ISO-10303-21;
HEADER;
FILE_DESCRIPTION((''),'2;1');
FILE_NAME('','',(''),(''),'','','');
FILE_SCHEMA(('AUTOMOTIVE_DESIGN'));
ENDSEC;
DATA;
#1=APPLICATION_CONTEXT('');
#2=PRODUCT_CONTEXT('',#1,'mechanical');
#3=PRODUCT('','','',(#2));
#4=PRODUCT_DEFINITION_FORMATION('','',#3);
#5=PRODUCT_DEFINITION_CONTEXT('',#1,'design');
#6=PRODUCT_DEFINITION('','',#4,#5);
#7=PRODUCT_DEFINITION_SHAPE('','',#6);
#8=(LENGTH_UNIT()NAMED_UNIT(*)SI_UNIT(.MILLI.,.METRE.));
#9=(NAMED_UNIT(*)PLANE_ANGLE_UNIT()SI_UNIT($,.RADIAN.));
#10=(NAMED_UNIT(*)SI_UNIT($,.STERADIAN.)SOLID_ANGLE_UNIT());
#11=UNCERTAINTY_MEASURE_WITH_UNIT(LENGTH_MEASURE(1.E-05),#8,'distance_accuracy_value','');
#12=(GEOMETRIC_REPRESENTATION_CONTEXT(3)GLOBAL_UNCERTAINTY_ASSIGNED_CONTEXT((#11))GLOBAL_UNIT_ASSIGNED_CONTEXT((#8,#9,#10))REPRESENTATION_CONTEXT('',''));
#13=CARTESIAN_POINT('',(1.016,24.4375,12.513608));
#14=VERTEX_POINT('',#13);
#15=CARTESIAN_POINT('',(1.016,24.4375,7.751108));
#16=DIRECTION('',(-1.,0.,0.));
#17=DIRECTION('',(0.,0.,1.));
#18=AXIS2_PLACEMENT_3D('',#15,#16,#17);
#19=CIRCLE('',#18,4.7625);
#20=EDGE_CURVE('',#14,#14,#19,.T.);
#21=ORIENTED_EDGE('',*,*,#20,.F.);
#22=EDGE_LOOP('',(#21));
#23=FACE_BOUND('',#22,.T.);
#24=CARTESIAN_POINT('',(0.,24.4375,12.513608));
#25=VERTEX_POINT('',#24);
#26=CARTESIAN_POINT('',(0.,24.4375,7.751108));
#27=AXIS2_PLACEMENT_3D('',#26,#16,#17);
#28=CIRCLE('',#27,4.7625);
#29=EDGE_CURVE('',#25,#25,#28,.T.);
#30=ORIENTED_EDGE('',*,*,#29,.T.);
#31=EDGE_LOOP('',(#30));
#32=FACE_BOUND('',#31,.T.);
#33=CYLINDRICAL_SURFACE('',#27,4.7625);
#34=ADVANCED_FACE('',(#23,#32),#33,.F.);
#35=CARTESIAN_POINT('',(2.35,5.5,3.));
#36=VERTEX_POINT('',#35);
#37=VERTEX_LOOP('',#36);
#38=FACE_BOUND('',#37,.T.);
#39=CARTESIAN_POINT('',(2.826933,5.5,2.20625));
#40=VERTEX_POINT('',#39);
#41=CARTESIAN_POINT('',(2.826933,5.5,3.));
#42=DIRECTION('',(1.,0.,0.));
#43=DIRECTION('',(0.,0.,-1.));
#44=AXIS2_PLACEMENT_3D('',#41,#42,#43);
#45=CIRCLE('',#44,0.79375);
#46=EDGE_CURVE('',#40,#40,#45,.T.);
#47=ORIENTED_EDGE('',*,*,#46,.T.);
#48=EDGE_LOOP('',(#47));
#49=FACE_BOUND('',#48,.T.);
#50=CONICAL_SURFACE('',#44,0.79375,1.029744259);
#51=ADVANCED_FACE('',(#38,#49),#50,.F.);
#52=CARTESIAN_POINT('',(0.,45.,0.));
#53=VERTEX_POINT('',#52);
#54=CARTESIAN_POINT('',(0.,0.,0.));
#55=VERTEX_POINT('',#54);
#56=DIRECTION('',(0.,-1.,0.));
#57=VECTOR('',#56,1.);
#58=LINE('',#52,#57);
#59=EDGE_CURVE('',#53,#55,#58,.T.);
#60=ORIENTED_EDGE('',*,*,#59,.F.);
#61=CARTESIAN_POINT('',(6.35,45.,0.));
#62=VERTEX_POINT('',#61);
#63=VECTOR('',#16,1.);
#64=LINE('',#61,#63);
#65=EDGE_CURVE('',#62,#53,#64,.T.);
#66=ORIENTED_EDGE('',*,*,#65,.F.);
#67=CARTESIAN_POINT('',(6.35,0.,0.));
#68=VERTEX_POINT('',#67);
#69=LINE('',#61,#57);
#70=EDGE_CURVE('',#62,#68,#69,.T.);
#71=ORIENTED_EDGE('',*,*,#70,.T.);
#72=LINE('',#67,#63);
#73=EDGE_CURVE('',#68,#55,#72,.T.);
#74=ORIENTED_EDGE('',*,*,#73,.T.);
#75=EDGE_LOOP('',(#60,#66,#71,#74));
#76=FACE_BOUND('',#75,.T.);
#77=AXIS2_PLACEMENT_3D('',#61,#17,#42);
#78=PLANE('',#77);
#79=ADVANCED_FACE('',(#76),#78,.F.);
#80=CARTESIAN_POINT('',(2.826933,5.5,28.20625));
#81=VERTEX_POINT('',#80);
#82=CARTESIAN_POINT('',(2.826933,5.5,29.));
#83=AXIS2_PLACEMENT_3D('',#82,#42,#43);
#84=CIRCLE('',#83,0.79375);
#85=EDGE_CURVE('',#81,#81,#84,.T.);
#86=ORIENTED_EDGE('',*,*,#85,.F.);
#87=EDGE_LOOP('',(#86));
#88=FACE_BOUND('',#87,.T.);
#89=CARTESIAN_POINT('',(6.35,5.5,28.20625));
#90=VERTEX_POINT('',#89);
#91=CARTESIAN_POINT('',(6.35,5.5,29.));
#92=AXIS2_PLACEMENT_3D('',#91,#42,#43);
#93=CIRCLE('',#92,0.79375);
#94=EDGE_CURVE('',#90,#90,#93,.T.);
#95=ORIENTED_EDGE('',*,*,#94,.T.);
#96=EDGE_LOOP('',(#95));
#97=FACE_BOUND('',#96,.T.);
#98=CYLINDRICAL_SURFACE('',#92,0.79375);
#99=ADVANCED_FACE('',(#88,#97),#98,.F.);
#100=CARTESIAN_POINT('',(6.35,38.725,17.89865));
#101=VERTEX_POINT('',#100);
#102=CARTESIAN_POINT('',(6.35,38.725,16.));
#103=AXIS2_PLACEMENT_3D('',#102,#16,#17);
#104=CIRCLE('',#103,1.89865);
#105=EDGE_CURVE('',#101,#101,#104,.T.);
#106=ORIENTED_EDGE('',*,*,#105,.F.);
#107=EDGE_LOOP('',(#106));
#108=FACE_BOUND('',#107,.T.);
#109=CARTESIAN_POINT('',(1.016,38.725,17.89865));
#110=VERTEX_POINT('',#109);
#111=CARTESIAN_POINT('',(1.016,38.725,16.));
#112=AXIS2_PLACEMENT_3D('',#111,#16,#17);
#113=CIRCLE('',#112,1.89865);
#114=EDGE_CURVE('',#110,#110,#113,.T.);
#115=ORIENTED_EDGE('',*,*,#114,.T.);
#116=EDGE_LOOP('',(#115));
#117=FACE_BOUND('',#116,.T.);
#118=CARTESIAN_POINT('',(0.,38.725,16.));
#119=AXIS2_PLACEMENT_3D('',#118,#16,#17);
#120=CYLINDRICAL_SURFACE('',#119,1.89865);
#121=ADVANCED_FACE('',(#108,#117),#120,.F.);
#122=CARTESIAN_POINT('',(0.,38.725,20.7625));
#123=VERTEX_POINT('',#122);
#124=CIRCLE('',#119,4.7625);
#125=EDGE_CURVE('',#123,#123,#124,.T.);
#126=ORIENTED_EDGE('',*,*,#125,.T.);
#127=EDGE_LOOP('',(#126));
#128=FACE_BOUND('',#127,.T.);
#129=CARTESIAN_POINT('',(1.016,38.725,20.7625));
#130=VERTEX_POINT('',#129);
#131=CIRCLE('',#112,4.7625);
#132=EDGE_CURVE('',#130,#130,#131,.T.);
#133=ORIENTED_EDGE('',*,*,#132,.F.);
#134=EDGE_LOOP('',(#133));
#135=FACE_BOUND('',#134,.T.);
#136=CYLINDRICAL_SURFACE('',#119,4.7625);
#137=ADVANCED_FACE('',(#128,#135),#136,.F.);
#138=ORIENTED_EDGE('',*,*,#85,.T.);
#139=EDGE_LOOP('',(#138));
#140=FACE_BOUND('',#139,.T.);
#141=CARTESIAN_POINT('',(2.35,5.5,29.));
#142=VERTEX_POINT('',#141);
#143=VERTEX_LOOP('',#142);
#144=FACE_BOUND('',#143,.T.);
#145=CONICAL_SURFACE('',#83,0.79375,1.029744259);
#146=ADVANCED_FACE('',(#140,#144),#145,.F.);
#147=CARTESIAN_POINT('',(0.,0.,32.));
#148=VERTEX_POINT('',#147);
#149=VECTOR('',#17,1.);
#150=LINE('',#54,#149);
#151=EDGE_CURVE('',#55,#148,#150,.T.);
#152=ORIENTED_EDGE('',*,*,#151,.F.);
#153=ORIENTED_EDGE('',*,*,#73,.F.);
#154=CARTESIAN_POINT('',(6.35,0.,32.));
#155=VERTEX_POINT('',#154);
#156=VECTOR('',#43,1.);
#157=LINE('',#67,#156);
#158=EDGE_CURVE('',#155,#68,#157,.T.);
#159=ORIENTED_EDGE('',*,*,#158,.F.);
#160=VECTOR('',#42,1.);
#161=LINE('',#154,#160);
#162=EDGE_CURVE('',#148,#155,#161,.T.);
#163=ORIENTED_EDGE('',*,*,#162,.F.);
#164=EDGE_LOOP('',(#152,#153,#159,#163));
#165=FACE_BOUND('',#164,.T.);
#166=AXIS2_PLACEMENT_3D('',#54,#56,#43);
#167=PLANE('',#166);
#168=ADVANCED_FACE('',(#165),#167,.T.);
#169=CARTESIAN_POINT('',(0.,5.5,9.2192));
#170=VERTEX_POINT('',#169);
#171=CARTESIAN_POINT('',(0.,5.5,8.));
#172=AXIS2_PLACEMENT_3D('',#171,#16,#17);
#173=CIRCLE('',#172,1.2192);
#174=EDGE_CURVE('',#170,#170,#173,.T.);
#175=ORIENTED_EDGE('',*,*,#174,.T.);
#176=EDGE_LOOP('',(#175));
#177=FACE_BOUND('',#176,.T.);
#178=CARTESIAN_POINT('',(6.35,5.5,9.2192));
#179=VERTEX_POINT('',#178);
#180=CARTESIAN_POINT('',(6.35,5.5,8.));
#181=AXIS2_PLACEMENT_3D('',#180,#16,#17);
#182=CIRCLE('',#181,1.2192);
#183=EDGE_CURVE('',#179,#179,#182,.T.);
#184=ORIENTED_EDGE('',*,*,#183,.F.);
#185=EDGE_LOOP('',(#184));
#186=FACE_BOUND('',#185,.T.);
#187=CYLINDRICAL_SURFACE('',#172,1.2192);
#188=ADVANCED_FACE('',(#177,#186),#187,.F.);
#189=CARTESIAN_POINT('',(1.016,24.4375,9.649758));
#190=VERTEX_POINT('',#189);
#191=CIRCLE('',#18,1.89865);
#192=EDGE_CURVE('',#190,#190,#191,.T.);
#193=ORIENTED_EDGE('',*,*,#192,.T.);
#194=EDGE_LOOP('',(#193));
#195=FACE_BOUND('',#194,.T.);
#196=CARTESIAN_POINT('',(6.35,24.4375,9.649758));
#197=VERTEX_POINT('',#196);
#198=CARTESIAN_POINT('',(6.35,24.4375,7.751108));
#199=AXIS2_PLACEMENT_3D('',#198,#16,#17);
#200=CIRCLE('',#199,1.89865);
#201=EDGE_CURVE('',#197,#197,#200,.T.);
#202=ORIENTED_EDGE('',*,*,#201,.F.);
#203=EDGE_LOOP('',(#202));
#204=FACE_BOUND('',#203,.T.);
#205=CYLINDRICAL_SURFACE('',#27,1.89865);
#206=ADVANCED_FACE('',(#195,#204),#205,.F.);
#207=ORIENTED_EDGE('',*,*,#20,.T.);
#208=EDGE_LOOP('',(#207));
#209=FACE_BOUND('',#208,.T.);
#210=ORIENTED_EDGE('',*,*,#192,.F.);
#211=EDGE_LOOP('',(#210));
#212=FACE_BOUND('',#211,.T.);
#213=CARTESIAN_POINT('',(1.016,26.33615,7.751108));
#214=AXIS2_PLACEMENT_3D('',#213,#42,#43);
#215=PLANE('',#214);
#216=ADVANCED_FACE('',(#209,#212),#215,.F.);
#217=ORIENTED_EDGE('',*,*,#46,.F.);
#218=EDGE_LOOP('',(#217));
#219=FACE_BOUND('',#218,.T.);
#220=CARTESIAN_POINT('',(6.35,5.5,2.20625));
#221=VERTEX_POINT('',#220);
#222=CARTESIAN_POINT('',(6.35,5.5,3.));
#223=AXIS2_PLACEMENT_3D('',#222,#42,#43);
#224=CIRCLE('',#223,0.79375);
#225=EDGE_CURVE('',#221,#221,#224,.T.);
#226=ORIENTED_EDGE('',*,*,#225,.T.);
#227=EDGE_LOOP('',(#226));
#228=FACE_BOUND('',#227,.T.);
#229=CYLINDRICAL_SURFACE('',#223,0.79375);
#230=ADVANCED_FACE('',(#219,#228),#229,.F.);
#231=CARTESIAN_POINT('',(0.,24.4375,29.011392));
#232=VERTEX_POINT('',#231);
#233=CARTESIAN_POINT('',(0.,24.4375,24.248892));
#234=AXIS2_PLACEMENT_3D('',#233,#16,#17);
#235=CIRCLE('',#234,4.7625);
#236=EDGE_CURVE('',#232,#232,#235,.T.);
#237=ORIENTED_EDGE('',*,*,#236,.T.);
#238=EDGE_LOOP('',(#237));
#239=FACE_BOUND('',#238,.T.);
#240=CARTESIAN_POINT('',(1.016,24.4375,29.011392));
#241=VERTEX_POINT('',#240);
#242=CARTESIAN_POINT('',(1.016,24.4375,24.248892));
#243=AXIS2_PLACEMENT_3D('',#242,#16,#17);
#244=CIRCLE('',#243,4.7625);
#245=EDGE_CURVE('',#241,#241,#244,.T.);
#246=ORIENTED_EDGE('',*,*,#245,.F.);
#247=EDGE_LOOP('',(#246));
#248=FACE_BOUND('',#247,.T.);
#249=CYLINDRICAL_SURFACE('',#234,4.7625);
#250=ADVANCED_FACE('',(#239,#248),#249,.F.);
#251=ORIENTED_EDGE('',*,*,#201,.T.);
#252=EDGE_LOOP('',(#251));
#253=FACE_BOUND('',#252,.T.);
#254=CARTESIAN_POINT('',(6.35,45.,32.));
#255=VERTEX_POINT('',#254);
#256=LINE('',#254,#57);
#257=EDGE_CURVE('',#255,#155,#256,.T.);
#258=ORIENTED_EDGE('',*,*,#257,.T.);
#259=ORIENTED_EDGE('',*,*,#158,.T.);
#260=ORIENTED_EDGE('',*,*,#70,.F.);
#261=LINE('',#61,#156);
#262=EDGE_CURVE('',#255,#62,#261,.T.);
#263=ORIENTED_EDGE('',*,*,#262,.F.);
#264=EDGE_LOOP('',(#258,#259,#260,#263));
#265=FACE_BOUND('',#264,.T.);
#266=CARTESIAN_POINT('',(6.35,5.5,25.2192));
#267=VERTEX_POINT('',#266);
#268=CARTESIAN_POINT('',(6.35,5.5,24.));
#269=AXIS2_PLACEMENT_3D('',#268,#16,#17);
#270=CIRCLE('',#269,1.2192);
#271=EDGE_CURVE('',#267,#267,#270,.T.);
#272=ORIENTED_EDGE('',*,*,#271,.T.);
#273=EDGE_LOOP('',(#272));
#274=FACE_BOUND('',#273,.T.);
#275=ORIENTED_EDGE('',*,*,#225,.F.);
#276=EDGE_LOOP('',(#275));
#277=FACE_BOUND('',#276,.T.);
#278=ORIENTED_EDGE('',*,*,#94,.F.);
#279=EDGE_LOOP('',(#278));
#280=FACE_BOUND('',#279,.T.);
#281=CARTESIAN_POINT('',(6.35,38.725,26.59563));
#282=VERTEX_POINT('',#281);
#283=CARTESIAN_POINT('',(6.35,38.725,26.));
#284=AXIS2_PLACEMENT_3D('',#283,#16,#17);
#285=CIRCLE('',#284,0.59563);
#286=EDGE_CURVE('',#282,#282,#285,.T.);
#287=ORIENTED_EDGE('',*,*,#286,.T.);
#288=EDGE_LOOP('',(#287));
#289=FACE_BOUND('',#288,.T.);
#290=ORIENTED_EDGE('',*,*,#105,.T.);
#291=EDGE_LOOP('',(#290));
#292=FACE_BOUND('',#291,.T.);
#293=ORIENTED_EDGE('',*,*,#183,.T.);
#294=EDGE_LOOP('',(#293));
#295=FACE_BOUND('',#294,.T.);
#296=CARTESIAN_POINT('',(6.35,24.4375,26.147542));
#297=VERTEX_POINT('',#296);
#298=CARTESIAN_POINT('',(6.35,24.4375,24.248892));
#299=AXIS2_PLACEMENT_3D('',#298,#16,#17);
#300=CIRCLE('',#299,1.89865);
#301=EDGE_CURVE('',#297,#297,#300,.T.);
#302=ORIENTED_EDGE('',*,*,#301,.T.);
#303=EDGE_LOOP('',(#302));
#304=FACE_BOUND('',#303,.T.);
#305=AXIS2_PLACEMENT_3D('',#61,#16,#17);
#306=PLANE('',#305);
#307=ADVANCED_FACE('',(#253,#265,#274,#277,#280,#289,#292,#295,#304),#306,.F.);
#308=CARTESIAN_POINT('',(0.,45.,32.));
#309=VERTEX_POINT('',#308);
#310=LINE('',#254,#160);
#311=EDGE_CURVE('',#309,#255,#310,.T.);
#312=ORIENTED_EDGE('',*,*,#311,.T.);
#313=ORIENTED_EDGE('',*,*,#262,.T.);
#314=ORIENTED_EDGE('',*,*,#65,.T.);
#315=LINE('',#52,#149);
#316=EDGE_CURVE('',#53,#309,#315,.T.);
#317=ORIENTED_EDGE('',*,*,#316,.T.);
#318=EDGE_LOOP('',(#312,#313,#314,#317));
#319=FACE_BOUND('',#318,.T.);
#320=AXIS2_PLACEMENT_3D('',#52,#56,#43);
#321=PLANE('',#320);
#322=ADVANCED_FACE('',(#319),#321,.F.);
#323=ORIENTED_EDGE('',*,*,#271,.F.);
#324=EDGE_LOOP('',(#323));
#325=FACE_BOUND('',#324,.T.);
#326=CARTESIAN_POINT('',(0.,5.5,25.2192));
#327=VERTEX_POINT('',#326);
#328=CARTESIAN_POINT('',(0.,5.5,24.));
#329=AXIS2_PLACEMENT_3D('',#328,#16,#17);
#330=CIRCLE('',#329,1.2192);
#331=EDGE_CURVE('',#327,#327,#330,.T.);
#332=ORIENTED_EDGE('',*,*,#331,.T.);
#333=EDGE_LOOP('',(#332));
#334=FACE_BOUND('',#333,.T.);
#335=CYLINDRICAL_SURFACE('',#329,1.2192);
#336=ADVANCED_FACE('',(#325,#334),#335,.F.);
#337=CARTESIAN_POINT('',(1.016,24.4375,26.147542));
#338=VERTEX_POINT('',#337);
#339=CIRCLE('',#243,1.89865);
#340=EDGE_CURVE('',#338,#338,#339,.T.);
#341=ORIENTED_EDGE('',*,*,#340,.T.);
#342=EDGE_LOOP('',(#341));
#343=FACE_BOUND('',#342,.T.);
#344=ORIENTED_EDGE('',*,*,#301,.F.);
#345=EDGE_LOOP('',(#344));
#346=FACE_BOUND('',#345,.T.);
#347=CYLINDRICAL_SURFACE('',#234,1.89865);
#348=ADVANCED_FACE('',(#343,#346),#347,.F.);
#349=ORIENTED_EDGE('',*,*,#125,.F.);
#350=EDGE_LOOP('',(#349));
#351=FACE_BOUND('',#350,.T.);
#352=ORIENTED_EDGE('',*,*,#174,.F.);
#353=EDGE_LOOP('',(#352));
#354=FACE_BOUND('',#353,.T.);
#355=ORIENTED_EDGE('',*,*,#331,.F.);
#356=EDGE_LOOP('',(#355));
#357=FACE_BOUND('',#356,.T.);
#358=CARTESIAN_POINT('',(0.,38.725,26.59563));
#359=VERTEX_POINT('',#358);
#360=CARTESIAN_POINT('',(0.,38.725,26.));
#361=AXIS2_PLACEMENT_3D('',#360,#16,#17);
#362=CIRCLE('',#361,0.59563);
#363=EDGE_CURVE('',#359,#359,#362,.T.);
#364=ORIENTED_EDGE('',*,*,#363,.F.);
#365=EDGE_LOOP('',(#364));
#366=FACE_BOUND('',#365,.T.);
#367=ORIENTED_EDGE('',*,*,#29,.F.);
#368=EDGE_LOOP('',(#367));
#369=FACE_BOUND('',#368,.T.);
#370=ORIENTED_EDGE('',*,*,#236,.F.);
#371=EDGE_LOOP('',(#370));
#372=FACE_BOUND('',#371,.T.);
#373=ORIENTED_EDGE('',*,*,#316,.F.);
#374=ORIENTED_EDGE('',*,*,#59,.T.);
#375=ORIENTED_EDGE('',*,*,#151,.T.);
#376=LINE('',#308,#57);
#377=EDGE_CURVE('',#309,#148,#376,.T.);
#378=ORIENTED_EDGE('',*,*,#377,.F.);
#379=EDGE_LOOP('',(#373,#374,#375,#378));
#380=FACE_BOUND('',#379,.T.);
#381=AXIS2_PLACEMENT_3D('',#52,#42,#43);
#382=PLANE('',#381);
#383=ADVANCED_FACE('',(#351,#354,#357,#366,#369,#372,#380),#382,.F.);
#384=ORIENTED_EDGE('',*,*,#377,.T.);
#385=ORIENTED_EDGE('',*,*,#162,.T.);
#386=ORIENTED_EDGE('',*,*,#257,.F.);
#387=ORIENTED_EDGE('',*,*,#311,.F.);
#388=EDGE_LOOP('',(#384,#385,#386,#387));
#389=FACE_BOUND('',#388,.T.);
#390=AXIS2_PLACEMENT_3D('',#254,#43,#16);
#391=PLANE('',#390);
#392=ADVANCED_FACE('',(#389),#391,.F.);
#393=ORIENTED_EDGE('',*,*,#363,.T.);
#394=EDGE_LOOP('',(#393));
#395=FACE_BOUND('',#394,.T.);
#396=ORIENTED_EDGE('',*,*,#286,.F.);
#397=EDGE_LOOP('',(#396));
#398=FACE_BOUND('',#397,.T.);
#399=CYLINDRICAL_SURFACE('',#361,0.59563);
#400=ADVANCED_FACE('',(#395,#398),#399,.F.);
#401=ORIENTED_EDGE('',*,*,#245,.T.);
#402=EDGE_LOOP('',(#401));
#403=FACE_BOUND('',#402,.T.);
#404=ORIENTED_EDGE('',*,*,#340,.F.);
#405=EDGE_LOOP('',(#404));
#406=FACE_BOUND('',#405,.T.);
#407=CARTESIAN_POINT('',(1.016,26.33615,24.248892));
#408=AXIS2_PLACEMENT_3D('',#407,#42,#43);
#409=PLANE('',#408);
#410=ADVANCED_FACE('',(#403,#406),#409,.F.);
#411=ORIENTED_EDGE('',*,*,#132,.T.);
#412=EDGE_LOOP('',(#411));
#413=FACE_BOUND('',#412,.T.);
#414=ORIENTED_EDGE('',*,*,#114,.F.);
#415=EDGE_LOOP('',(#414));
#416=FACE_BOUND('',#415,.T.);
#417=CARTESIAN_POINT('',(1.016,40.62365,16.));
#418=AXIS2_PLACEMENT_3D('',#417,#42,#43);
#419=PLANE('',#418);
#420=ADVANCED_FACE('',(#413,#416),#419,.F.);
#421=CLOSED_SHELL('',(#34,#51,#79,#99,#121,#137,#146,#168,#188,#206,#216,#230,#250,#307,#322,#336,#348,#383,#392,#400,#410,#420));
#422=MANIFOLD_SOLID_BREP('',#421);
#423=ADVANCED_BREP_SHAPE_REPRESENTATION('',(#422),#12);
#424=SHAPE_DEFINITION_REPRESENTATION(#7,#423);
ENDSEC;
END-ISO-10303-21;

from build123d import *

# Parameters (mm, degrees)
SKETCH26_W                                          = 6.35
SKETCH26_H                                          = 32
BOSS_EXTRUDE2_DEPTH                                 = 45
CUT_EXTRUDE7_REACH                                  = 8.35
SKETCH27_R                                          = 1.595
CBORE_FOR_6_BINDING_HEAD_MACHINE_SCREW1_D           = 3.7973
CBORE_FOR_6_BINDING_HEAD_MACHINE_SCREW1_DEPTH       = 46.5
CBORE_FOR_6_BINDING_HEAD_MACHINE_SCREW1_CBORE_D     = 9.525
CBORE_FOR_6_BINDING_HEAD_MACHINE_SCREW1_CBORE_DEPTH = 1.016
CBORE_FOR_6_BINDING_HEAD_MACHINE_SCREW1_TIP         = 1.140824014
F_0_80_TAPPED_HOLE1_D                               = 1.19126
F_2_CLEARANCE_HOLE1_D                               = 2.4384
F_2_CLEARANCE_HOLE1_DEPTH                           = 20.32
F_2_CLEARANCE_HOLE1_TIP                             = 0.732569267
F_1_16_0_0625_DOWEL_HOLE1_D                         = 1.5875
F_1_16_0_0625_DOWEL_HOLE1_DEPTH                     = 3.523066884
F_1_16_0_0625_DOWEL_HOLE1_TIP                       = 0.476933116


with BuildPart() as part:
    # Sketch26 → Boss-Extrude2 (new body)
    with BuildSketch(Plane(origin=(0, 0, 0), x_dir=(-1, 0, 0), z_dir=(0, 1, 0))):
        with Locations((-3.175, 16)):
            Rectangle(SKETCH26_W, SKETCH26_H)
    extrude(amount=BOSS_EXTRUDE2_DEPTH)

    # Sketch27 → Cut-Extrude7 (cut, up to next)
    with BuildSketch(Plane.ZY, mode=Mode.PRIVATE) as cut_extrude7_sk1:
        with Locations((16, 38.725)):
            Circle(SKETCH27_R)
    cut_extrude7_tool1 = extrude(cut_extrude7_sk1.sketch, amount=-CUT_EXTRUDE7_REACH, mode=Mode.PRIVATE) & part.part
    add(cut_extrude7_tool1.solids().sort_by_distance((0, 38.725, 16))[0], mode=Mode.SUBTRACT)
    # Sketch27 → Cut-Extrude7 (cut, up to next)
    with BuildSketch(Plane.ZY, mode=Mode.PRIVATE) as cut_extrude7_sk2:
        with Locations((24.248891971, 24.4375)):
            Circle(SKETCH27_R)
    cut_extrude7_tool2 = extrude(cut_extrude7_sk2.sketch, amount=-CUT_EXTRUDE7_REACH, mode=Mode.PRIVATE) & part.part
    add(cut_extrude7_tool2.solids().sort_by_distance((0, 24.4375, 24.248892))[0], mode=Mode.SUBTRACT)
    # Sketch27 → Cut-Extrude7 (cut, up to next)
    with BuildSketch(Plane.ZY, mode=Mode.PRIVATE) as cut_extrude7_sk3:
        with Locations((7.751108029, 24.4375)):
            Circle(SKETCH27_R)
    cut_extrude7_tool3 = extrude(cut_extrude7_sk3.sketch, amount=-CUT_EXTRUDE7_REACH, mode=Mode.PRIVATE) & part.part
    add(cut_extrude7_tool3.solids().sort_by_distance((0, 24.4375, 7.751108))[0], mode=Mode.SUBTRACT)

    # CBORE for #6 Binding Head Machine Screw1
    with Locations(Plane.ZY):
        with Locations((16, 38.725), (24.248891971, 24.4375), (7.751108029, 24.4375)):
            CounterBoreHole(CBORE_FOR_6_BINDING_HEAD_MACHINE_SCREW1_D / 2, CBORE_FOR_6_BINDING_HEAD_MACHINE_SCREW1_CBORE_D / 2, CBORE_FOR_6_BINDING_HEAD_MACHINE_SCREW1_CBORE_DEPTH, depth=CBORE_FOR_6_BINDING_HEAD_MACHINE_SCREW1_DEPTH)
            with Locations((0, 0, -(CBORE_FOR_6_BINDING_HEAD_MACHINE_SCREW1_DEPTH + CBORE_FOR_6_BINDING_HEAD_MACHINE_SCREW1_TIP / 2))):  # 118° drill point
                Cone(0, CBORE_FOR_6_BINDING_HEAD_MACHINE_SCREW1_D / 2, CBORE_FOR_6_BINDING_HEAD_MACHINE_SCREW1_TIP, mode=Mode.SUBTRACT)

    # #0-80 Tapped Hole1 (through all)
    with Locations(Plane.ZY):
        with Locations((26, 38.725)):
            Hole(F_0_80_TAPPED_HOLE1_D / 2)

    # #2 Clearance Hole1
    with Locations(Plane.ZY):
        with Locations((8, 5.5), (24, 5.5)):
            Hole(F_2_CLEARANCE_HOLE1_D / 2, depth=F_2_CLEARANCE_HOLE1_DEPTH)
            with Locations((0, 0, -(F_2_CLEARANCE_HOLE1_DEPTH + F_2_CLEARANCE_HOLE1_TIP / 2))):  # 118° drill point
                Cone(0, F_2_CLEARANCE_HOLE1_D / 2, F_2_CLEARANCE_HOLE1_TIP, mode=Mode.SUBTRACT)

    # 1/16 (0.0625) Dowel Hole1
    with Locations(Plane(origin=(6.35, 0, 0), x_dir=(0, 0, -1), z_dir=(1, 0, 0))):
        with Locations((-29, 5.5), (-3, 5.5)):
            Hole(F_1_16_0_0625_DOWEL_HOLE1_D / 2, depth=F_1_16_0_0625_DOWEL_HOLE1_DEPTH)
            with Locations((0, 0, -(F_1_16_0_0625_DOWEL_HOLE1_DEPTH + F_1_16_0_0625_DOWEL_HOLE1_TIP / 2))):  # 118° drill point
                Cone(0, F_1_16_0_0625_DOWEL_HOLE1_D / 2, F_1_16_0_0625_DOWEL_HOLE1_TIP, mode=Mode.SUBTRACT)


solid = part.part
